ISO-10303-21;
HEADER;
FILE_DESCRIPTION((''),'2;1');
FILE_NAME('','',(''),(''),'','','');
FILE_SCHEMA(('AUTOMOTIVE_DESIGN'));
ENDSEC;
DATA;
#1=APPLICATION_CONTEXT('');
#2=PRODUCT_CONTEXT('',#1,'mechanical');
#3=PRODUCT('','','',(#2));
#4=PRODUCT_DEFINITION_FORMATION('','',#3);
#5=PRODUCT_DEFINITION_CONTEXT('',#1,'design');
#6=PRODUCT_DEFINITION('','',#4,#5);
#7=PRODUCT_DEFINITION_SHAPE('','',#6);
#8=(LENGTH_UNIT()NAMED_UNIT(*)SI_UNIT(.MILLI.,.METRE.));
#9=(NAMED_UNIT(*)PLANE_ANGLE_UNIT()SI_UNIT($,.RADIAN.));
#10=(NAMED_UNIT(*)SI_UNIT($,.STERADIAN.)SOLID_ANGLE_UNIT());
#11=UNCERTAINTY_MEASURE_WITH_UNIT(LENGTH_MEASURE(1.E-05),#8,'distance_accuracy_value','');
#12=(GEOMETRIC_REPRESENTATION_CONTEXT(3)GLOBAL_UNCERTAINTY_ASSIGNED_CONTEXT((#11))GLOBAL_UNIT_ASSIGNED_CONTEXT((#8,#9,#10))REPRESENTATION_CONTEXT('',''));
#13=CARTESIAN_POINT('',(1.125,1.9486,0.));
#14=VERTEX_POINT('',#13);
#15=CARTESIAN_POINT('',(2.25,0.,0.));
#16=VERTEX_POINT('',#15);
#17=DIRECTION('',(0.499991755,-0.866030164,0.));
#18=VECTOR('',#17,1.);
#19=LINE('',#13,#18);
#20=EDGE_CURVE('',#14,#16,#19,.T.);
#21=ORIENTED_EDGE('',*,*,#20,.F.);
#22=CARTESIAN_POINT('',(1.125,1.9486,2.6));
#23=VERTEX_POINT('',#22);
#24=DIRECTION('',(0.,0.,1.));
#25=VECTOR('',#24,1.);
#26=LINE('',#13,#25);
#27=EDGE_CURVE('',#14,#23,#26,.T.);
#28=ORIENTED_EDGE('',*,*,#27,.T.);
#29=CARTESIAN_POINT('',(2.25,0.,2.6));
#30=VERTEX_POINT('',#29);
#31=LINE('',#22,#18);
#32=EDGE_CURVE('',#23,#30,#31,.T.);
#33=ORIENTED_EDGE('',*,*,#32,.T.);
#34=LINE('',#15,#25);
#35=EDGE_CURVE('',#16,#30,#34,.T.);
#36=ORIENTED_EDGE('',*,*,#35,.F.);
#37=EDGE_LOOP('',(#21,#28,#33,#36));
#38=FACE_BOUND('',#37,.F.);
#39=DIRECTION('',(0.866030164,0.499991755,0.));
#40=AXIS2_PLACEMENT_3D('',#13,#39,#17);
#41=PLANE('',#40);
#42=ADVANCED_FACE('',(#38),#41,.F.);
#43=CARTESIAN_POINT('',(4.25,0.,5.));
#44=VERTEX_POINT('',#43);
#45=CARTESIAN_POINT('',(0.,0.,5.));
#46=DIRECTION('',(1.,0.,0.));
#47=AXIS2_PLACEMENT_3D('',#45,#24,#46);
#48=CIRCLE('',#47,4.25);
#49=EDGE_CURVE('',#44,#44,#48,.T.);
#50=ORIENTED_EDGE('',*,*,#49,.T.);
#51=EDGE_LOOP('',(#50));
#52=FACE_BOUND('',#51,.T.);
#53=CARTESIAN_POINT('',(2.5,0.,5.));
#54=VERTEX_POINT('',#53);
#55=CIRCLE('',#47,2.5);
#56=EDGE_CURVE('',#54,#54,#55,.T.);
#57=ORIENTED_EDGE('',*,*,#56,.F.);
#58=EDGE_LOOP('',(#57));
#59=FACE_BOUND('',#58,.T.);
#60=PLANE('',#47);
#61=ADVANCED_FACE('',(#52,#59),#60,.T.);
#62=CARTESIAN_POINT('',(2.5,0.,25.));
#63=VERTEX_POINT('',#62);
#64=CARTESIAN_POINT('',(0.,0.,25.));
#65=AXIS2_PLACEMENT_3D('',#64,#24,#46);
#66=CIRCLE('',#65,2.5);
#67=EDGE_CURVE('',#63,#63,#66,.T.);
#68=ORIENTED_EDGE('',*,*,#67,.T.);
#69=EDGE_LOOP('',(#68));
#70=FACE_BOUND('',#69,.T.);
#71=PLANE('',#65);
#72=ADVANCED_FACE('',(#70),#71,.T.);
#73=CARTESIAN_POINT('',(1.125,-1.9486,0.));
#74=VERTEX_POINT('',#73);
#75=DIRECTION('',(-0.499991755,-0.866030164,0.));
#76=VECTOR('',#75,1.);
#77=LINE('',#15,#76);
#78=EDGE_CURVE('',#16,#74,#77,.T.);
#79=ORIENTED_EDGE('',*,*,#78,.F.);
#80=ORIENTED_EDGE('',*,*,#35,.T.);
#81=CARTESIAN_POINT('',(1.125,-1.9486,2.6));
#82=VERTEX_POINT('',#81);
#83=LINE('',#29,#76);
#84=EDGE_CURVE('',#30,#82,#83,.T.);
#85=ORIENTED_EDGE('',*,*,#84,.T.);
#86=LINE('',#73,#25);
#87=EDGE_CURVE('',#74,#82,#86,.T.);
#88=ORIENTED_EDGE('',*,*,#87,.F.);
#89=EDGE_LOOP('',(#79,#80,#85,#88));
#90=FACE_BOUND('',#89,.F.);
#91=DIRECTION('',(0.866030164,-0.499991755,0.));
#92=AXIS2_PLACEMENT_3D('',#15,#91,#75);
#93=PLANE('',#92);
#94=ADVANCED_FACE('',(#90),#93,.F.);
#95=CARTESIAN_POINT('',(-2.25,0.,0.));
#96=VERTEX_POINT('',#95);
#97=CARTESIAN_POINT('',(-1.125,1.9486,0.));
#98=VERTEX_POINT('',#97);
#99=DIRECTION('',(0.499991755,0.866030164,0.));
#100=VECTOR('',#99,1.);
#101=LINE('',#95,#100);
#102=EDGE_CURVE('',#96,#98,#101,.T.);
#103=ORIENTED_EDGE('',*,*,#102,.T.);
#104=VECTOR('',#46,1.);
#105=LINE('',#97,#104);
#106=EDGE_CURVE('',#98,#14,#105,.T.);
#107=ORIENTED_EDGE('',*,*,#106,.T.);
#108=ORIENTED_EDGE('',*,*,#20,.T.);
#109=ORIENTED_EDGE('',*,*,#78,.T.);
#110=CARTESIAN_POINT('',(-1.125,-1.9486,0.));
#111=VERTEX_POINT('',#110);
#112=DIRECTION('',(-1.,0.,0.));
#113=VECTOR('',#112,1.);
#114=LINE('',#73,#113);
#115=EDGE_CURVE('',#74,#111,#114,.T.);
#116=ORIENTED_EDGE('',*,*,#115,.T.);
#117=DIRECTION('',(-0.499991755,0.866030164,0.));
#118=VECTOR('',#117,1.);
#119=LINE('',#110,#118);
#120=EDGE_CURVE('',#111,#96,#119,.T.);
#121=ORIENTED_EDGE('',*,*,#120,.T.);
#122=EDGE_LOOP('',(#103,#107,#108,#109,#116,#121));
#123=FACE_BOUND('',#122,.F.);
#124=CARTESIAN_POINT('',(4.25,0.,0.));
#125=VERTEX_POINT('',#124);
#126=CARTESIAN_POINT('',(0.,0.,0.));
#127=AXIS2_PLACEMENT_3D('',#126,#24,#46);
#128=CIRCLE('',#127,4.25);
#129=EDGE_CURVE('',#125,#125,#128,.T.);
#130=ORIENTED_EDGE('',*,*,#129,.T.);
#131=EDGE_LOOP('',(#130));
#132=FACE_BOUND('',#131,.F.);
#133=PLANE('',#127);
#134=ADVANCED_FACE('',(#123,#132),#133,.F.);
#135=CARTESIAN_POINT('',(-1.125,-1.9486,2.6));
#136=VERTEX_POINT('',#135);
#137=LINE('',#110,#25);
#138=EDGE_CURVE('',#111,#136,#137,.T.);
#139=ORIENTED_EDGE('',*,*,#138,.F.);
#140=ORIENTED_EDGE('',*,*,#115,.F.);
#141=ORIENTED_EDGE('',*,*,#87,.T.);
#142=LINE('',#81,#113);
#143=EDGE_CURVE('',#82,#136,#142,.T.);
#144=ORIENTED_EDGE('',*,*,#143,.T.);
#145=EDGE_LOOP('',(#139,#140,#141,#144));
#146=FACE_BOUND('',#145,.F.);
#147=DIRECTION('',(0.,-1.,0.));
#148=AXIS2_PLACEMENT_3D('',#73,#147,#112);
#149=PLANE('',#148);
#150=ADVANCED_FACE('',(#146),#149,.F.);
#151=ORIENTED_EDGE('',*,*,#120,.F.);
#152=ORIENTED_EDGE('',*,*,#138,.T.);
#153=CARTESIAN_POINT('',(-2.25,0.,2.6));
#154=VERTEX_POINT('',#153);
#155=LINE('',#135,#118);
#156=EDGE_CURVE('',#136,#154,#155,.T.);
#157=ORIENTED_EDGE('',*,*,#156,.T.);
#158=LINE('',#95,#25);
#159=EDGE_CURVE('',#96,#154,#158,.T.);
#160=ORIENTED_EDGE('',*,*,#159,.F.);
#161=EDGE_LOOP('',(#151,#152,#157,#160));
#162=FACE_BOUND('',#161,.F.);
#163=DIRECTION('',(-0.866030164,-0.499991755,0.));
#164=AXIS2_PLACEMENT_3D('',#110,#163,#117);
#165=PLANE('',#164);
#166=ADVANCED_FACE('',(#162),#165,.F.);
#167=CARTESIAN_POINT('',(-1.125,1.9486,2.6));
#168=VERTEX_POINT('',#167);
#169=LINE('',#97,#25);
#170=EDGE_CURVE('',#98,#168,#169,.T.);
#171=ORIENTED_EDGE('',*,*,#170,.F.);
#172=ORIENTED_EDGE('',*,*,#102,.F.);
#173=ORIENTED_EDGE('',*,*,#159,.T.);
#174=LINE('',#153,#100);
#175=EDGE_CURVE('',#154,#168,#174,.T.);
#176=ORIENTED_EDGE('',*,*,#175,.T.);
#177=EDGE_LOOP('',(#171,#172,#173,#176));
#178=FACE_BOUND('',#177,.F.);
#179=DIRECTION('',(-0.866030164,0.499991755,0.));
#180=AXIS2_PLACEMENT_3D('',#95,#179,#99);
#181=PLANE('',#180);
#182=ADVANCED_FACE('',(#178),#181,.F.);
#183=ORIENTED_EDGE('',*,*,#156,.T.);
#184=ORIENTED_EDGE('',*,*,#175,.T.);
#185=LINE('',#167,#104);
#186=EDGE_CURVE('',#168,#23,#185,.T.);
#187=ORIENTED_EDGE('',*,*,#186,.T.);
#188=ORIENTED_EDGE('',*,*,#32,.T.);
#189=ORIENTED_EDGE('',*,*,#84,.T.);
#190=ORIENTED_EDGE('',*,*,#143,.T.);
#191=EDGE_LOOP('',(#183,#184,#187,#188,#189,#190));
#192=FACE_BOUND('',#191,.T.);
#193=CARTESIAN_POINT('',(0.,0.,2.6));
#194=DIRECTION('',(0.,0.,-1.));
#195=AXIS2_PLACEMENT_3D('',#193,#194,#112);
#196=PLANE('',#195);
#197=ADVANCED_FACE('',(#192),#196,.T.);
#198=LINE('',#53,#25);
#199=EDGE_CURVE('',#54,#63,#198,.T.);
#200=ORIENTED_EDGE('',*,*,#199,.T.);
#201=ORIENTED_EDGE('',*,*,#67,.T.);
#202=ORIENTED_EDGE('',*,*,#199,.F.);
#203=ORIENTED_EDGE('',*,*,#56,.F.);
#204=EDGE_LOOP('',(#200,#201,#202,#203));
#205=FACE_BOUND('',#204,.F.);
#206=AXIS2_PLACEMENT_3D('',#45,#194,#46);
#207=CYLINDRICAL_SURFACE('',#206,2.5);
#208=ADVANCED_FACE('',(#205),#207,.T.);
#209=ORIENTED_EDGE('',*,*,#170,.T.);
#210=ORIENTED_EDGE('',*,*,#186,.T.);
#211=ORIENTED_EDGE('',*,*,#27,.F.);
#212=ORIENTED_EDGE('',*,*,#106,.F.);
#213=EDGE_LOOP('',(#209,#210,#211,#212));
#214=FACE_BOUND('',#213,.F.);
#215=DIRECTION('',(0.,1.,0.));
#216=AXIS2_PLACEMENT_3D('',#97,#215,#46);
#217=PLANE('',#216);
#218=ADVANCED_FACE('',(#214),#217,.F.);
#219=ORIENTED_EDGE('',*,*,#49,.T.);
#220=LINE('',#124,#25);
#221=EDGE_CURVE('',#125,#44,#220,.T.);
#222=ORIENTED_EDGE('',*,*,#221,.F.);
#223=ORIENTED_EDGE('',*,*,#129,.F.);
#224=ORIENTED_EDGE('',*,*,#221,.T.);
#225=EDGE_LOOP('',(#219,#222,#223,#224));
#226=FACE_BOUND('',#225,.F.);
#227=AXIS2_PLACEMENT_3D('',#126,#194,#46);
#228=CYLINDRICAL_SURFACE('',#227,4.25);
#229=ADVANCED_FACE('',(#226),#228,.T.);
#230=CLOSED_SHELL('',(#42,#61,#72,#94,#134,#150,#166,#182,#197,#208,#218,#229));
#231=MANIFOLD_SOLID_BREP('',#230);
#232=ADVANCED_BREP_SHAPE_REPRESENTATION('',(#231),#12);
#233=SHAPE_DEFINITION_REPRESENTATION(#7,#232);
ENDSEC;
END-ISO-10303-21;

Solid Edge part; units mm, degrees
sketch "Sketch1" plane through (0, 0, 0) normal (0, 0, 1) x (1, 0, 0)
  circle A0 centre (0, 0) radius 4.25
  dimension "D1" = 8.5
extrude "Protrusion1" add sketch "Sketch1" along normal blind 5
sketch "Sketch2" plane through (0, 0, 5) normal (0, 0, 1) x (1, 0, 0)
  circle A0 centre (0, 0) radius 2.5
extrude "ExtrudedProtrusion_2" add sketch "Sketch2" along normal blind 20
sketch "Sketch3" plane through (0, 0, 0) normal (0, 0, -1) x (-1, 0, 0)
  line L0 (2.25, 0) -> (1.125, 1.9486)
  line L1 (1.125, 1.9486) -> (-1.125, 1.9486)
  line L2 (-1.125, 1.9486) -> (-2.25, 0)
  line L3 (-2.25, 0) -> (-1.125, -1.9486)
  line L4 (-1.125, -1.9486) -> (1.125, -1.9486)
  line L5 (1.125, -1.9486) -> (2.25, 0)
extrude "ExtrudedCutout_1" cut sketch "Sketch3" against normal blind 2.6
cosmetic_thread "Thread1" size "M5"
